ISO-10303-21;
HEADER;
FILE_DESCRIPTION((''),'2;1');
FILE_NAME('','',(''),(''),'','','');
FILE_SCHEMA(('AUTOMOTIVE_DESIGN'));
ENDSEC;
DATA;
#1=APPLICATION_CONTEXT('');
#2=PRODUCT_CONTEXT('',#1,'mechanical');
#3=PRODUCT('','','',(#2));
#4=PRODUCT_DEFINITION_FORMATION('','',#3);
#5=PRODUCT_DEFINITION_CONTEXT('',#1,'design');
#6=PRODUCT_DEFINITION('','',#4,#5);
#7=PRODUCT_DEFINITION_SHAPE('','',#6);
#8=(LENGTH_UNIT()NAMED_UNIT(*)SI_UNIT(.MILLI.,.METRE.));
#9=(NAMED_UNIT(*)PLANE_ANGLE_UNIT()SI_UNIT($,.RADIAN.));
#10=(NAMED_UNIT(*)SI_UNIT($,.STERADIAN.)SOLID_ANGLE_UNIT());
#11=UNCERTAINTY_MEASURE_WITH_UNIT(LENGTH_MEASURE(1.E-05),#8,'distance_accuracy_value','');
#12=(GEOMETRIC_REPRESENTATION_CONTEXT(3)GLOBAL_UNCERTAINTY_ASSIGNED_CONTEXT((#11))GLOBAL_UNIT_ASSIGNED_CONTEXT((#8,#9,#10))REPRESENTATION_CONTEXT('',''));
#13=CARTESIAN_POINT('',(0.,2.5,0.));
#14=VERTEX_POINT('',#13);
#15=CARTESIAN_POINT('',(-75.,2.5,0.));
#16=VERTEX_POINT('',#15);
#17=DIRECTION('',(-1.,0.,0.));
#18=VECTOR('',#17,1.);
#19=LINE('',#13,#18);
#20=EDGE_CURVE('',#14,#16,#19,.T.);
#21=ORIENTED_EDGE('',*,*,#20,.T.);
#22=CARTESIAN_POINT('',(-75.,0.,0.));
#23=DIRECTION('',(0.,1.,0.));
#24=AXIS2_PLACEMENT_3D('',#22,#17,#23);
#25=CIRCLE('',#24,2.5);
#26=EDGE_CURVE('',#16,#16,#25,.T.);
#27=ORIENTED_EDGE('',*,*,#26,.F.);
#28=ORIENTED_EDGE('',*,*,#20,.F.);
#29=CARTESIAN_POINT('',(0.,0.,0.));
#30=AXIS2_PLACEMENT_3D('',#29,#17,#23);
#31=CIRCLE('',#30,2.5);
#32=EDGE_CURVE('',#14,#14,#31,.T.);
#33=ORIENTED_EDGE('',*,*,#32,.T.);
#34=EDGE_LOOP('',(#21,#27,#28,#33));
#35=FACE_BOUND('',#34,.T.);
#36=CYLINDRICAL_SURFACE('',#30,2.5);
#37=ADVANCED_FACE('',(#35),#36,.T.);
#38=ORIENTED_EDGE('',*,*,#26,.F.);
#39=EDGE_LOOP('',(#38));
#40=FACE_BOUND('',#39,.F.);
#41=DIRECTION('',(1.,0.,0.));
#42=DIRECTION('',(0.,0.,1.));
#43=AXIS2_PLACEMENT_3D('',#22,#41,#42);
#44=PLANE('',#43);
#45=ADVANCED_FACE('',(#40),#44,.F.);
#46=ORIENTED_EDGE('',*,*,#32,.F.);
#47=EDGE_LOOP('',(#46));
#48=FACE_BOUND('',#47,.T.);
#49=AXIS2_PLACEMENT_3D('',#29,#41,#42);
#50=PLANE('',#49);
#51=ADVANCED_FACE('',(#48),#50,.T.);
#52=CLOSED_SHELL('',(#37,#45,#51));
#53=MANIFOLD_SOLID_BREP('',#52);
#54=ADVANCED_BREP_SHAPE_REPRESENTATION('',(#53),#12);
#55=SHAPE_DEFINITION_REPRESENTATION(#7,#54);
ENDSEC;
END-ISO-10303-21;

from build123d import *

# Parameters (mm, degrees)
F1_R = 2.5


with BuildPart() as f2:
    # F2: sweep along a path in F0
    with BuildLine(Plane.XY) as f2_path:
        Line((0, 0), (-75, 0))
    # F1 (on Right) → F2 (sweep)
    with BuildSketch(Plane.YZ):
        Circle(F1_R)
    sweep(path=f2_path.line)


solid = f2.part
